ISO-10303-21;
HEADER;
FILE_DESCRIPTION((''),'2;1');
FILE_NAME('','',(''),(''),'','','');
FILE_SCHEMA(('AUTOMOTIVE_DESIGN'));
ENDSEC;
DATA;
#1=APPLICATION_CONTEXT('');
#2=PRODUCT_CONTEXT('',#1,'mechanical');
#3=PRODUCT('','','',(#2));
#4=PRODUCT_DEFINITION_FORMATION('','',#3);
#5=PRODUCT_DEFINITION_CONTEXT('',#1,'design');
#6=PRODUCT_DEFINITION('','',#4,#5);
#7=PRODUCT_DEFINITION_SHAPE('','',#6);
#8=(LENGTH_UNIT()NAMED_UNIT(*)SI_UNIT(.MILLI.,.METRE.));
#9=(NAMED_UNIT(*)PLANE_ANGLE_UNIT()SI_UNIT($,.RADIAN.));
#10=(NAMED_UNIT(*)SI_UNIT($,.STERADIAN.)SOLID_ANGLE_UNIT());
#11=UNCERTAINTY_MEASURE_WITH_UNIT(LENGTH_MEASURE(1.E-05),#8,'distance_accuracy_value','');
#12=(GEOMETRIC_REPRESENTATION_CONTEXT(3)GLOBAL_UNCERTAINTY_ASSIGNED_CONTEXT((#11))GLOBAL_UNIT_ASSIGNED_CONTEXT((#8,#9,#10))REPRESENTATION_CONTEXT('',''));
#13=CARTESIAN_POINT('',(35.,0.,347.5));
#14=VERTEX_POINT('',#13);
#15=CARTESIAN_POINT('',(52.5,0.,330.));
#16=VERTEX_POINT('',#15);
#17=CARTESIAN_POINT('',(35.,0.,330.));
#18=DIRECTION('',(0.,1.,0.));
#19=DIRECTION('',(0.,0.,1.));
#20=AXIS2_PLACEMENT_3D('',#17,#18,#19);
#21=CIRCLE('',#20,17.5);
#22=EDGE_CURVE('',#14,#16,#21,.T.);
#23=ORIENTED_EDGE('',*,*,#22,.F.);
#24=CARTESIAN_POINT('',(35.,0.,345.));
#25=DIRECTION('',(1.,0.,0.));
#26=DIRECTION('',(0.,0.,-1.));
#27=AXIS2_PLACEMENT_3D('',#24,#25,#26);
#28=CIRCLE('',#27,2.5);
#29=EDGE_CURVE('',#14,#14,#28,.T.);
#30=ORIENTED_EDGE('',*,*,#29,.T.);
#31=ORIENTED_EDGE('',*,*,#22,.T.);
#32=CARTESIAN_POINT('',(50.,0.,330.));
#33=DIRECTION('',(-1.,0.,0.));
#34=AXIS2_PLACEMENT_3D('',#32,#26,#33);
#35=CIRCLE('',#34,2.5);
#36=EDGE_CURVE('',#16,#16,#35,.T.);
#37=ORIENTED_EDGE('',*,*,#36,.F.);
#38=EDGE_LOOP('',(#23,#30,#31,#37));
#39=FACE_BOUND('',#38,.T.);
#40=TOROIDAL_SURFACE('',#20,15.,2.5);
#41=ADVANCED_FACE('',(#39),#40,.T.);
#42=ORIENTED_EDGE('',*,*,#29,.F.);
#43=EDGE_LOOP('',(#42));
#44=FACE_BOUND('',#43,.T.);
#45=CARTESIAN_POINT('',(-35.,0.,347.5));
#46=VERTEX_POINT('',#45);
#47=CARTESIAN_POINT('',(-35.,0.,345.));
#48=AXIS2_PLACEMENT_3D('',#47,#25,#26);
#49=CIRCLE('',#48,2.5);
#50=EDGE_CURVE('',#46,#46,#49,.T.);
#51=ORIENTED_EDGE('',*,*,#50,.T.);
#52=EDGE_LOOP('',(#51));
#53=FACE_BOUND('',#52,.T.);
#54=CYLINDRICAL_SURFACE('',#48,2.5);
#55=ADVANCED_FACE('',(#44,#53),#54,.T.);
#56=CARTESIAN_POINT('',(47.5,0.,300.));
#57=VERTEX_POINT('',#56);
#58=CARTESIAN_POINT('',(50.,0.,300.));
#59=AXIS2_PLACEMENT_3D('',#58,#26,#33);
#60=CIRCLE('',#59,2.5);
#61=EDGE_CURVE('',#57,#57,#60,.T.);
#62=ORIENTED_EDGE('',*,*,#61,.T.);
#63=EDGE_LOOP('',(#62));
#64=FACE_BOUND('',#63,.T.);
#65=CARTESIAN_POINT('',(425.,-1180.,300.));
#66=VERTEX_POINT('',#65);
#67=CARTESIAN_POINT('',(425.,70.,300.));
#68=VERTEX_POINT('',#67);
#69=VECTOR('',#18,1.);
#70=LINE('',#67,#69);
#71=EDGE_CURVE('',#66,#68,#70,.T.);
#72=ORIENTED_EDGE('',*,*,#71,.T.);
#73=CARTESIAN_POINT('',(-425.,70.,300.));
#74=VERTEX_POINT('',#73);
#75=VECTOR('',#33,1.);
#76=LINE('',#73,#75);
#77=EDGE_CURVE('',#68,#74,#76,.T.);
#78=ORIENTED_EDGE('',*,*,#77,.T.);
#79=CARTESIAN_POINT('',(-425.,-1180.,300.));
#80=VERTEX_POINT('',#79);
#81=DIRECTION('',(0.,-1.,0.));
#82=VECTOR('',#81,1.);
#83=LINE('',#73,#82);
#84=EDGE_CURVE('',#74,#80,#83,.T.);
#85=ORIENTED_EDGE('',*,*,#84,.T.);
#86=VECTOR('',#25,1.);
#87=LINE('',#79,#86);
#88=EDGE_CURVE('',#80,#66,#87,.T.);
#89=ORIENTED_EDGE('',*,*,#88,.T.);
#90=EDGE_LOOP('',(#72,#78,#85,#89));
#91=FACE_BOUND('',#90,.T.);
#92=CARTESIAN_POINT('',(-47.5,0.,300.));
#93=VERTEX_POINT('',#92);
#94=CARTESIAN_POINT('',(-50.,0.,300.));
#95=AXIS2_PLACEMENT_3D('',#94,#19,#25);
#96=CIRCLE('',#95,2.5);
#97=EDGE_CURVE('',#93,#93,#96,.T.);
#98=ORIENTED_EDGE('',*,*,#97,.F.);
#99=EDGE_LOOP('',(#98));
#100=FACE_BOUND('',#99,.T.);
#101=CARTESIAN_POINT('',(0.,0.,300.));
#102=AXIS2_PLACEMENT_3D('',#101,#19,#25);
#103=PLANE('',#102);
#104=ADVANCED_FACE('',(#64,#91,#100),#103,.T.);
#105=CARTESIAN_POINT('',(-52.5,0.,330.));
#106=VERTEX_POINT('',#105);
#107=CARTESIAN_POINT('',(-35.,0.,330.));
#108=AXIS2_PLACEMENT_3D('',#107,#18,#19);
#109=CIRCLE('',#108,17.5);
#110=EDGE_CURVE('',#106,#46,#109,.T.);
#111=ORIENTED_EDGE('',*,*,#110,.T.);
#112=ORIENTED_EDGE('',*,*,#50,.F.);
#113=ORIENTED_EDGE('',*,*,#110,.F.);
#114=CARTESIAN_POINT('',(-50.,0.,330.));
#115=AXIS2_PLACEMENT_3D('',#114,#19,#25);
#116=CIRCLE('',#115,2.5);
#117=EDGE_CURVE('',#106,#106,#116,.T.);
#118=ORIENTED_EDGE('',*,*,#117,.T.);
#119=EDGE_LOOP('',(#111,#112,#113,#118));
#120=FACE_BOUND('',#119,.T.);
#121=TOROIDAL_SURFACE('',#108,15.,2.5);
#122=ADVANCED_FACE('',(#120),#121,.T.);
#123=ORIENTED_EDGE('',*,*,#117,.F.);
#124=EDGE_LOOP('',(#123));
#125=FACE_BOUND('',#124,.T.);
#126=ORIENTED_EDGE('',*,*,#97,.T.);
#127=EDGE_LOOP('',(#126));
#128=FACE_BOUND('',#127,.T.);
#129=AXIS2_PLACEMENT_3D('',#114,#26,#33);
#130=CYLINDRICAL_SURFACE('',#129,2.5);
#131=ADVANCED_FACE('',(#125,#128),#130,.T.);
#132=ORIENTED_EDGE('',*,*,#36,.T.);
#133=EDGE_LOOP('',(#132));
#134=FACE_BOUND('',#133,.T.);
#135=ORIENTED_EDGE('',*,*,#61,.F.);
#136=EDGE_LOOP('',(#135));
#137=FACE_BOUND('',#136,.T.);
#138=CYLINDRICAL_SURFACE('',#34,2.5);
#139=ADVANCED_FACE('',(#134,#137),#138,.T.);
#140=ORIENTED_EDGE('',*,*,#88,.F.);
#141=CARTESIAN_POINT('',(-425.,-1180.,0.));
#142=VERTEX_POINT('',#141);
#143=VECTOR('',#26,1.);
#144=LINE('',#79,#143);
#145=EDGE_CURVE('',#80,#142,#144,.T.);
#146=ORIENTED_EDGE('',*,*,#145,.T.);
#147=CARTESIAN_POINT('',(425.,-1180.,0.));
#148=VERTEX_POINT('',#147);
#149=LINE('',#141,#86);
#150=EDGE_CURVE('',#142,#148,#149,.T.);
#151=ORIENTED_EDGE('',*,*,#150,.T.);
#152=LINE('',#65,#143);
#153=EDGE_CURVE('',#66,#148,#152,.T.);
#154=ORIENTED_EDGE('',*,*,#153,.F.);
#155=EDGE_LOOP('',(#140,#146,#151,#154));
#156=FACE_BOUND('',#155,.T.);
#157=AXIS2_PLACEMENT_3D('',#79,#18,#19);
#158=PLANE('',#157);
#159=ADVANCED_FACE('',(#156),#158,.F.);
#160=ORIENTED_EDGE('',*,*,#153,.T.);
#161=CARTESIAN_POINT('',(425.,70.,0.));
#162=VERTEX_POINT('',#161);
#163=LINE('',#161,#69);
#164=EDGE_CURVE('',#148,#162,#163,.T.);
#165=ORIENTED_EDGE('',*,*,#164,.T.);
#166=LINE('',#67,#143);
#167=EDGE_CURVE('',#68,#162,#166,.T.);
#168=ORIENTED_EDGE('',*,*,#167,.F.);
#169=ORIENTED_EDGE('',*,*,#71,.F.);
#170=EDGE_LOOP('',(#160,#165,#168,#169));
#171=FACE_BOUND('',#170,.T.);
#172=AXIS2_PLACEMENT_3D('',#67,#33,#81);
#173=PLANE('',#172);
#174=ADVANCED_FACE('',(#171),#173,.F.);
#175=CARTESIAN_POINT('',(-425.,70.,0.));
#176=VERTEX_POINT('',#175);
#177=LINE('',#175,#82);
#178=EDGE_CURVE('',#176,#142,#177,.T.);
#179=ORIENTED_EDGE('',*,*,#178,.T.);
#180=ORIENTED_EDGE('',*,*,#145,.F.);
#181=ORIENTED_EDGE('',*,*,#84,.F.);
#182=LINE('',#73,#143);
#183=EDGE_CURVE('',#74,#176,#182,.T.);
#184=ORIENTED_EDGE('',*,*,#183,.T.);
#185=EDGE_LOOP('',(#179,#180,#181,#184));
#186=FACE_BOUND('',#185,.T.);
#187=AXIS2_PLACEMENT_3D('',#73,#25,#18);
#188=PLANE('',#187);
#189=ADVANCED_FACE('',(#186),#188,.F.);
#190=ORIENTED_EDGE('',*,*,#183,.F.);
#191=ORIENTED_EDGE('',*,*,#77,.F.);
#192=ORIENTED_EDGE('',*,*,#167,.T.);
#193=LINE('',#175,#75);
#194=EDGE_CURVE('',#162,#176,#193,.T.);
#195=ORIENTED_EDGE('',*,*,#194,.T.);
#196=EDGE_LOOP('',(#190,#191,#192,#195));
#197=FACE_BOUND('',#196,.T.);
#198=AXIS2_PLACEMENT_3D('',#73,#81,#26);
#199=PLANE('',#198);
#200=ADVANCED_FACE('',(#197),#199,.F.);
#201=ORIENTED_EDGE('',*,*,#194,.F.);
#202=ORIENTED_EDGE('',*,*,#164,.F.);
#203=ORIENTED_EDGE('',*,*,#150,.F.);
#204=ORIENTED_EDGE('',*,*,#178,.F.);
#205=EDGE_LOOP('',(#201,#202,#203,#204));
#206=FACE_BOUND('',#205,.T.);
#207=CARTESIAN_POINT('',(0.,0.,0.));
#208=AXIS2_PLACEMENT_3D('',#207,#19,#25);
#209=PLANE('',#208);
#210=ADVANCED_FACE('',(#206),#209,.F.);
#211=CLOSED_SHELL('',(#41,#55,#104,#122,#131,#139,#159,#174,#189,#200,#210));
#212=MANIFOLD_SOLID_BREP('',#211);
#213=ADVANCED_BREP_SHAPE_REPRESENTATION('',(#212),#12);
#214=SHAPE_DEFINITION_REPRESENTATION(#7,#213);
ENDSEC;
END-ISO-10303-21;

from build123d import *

# Parameters (mm, degrees)
CROQUIS1_W              = 850
CROQUIS1_H              = 1250
SALIENTE_EXTRUIR1_DEPTH = 300
CROQUIS3_R              = 2.5


with BuildPart() as part:
    # Croquis1 → Saliente-Extruir1 (new body)
    with BuildSketch(Plane.XY):
        with Locations((0, -555)):
            Rectangle(CROQUIS1_W, CROQUIS1_H)
    extrude(amount=SALIENTE_EXTRUIR1_DEPTH)

    # Barrer1: sweep along a path in Croquis2
    with BuildLine(Plane(origin=(0, 0, 0), x_dir=(1, 0, 0), z_dir=(0, 1, 0))) as barrer1_path:
        Line((-50, -300), (-50, -330))
        ThreePointArc((-50, -330), (-45.606601718, -340.606601718), (-35, -345))
        Line((-35, -345), (35, -345))
        ThreePointArc((35, -345), (45.606601718, -340.606601718), (50, -330))
        Line((50, -330), (50, -300))
    # Croquis3 → Barrer1 (sweep)
    with BuildSketch(Plane.XY.offset(300)):
        with Locations((-50, 0)):
            Circle(CROQUIS3_R)
    sweep(path=barrer1_path.line)


solid = part.part
